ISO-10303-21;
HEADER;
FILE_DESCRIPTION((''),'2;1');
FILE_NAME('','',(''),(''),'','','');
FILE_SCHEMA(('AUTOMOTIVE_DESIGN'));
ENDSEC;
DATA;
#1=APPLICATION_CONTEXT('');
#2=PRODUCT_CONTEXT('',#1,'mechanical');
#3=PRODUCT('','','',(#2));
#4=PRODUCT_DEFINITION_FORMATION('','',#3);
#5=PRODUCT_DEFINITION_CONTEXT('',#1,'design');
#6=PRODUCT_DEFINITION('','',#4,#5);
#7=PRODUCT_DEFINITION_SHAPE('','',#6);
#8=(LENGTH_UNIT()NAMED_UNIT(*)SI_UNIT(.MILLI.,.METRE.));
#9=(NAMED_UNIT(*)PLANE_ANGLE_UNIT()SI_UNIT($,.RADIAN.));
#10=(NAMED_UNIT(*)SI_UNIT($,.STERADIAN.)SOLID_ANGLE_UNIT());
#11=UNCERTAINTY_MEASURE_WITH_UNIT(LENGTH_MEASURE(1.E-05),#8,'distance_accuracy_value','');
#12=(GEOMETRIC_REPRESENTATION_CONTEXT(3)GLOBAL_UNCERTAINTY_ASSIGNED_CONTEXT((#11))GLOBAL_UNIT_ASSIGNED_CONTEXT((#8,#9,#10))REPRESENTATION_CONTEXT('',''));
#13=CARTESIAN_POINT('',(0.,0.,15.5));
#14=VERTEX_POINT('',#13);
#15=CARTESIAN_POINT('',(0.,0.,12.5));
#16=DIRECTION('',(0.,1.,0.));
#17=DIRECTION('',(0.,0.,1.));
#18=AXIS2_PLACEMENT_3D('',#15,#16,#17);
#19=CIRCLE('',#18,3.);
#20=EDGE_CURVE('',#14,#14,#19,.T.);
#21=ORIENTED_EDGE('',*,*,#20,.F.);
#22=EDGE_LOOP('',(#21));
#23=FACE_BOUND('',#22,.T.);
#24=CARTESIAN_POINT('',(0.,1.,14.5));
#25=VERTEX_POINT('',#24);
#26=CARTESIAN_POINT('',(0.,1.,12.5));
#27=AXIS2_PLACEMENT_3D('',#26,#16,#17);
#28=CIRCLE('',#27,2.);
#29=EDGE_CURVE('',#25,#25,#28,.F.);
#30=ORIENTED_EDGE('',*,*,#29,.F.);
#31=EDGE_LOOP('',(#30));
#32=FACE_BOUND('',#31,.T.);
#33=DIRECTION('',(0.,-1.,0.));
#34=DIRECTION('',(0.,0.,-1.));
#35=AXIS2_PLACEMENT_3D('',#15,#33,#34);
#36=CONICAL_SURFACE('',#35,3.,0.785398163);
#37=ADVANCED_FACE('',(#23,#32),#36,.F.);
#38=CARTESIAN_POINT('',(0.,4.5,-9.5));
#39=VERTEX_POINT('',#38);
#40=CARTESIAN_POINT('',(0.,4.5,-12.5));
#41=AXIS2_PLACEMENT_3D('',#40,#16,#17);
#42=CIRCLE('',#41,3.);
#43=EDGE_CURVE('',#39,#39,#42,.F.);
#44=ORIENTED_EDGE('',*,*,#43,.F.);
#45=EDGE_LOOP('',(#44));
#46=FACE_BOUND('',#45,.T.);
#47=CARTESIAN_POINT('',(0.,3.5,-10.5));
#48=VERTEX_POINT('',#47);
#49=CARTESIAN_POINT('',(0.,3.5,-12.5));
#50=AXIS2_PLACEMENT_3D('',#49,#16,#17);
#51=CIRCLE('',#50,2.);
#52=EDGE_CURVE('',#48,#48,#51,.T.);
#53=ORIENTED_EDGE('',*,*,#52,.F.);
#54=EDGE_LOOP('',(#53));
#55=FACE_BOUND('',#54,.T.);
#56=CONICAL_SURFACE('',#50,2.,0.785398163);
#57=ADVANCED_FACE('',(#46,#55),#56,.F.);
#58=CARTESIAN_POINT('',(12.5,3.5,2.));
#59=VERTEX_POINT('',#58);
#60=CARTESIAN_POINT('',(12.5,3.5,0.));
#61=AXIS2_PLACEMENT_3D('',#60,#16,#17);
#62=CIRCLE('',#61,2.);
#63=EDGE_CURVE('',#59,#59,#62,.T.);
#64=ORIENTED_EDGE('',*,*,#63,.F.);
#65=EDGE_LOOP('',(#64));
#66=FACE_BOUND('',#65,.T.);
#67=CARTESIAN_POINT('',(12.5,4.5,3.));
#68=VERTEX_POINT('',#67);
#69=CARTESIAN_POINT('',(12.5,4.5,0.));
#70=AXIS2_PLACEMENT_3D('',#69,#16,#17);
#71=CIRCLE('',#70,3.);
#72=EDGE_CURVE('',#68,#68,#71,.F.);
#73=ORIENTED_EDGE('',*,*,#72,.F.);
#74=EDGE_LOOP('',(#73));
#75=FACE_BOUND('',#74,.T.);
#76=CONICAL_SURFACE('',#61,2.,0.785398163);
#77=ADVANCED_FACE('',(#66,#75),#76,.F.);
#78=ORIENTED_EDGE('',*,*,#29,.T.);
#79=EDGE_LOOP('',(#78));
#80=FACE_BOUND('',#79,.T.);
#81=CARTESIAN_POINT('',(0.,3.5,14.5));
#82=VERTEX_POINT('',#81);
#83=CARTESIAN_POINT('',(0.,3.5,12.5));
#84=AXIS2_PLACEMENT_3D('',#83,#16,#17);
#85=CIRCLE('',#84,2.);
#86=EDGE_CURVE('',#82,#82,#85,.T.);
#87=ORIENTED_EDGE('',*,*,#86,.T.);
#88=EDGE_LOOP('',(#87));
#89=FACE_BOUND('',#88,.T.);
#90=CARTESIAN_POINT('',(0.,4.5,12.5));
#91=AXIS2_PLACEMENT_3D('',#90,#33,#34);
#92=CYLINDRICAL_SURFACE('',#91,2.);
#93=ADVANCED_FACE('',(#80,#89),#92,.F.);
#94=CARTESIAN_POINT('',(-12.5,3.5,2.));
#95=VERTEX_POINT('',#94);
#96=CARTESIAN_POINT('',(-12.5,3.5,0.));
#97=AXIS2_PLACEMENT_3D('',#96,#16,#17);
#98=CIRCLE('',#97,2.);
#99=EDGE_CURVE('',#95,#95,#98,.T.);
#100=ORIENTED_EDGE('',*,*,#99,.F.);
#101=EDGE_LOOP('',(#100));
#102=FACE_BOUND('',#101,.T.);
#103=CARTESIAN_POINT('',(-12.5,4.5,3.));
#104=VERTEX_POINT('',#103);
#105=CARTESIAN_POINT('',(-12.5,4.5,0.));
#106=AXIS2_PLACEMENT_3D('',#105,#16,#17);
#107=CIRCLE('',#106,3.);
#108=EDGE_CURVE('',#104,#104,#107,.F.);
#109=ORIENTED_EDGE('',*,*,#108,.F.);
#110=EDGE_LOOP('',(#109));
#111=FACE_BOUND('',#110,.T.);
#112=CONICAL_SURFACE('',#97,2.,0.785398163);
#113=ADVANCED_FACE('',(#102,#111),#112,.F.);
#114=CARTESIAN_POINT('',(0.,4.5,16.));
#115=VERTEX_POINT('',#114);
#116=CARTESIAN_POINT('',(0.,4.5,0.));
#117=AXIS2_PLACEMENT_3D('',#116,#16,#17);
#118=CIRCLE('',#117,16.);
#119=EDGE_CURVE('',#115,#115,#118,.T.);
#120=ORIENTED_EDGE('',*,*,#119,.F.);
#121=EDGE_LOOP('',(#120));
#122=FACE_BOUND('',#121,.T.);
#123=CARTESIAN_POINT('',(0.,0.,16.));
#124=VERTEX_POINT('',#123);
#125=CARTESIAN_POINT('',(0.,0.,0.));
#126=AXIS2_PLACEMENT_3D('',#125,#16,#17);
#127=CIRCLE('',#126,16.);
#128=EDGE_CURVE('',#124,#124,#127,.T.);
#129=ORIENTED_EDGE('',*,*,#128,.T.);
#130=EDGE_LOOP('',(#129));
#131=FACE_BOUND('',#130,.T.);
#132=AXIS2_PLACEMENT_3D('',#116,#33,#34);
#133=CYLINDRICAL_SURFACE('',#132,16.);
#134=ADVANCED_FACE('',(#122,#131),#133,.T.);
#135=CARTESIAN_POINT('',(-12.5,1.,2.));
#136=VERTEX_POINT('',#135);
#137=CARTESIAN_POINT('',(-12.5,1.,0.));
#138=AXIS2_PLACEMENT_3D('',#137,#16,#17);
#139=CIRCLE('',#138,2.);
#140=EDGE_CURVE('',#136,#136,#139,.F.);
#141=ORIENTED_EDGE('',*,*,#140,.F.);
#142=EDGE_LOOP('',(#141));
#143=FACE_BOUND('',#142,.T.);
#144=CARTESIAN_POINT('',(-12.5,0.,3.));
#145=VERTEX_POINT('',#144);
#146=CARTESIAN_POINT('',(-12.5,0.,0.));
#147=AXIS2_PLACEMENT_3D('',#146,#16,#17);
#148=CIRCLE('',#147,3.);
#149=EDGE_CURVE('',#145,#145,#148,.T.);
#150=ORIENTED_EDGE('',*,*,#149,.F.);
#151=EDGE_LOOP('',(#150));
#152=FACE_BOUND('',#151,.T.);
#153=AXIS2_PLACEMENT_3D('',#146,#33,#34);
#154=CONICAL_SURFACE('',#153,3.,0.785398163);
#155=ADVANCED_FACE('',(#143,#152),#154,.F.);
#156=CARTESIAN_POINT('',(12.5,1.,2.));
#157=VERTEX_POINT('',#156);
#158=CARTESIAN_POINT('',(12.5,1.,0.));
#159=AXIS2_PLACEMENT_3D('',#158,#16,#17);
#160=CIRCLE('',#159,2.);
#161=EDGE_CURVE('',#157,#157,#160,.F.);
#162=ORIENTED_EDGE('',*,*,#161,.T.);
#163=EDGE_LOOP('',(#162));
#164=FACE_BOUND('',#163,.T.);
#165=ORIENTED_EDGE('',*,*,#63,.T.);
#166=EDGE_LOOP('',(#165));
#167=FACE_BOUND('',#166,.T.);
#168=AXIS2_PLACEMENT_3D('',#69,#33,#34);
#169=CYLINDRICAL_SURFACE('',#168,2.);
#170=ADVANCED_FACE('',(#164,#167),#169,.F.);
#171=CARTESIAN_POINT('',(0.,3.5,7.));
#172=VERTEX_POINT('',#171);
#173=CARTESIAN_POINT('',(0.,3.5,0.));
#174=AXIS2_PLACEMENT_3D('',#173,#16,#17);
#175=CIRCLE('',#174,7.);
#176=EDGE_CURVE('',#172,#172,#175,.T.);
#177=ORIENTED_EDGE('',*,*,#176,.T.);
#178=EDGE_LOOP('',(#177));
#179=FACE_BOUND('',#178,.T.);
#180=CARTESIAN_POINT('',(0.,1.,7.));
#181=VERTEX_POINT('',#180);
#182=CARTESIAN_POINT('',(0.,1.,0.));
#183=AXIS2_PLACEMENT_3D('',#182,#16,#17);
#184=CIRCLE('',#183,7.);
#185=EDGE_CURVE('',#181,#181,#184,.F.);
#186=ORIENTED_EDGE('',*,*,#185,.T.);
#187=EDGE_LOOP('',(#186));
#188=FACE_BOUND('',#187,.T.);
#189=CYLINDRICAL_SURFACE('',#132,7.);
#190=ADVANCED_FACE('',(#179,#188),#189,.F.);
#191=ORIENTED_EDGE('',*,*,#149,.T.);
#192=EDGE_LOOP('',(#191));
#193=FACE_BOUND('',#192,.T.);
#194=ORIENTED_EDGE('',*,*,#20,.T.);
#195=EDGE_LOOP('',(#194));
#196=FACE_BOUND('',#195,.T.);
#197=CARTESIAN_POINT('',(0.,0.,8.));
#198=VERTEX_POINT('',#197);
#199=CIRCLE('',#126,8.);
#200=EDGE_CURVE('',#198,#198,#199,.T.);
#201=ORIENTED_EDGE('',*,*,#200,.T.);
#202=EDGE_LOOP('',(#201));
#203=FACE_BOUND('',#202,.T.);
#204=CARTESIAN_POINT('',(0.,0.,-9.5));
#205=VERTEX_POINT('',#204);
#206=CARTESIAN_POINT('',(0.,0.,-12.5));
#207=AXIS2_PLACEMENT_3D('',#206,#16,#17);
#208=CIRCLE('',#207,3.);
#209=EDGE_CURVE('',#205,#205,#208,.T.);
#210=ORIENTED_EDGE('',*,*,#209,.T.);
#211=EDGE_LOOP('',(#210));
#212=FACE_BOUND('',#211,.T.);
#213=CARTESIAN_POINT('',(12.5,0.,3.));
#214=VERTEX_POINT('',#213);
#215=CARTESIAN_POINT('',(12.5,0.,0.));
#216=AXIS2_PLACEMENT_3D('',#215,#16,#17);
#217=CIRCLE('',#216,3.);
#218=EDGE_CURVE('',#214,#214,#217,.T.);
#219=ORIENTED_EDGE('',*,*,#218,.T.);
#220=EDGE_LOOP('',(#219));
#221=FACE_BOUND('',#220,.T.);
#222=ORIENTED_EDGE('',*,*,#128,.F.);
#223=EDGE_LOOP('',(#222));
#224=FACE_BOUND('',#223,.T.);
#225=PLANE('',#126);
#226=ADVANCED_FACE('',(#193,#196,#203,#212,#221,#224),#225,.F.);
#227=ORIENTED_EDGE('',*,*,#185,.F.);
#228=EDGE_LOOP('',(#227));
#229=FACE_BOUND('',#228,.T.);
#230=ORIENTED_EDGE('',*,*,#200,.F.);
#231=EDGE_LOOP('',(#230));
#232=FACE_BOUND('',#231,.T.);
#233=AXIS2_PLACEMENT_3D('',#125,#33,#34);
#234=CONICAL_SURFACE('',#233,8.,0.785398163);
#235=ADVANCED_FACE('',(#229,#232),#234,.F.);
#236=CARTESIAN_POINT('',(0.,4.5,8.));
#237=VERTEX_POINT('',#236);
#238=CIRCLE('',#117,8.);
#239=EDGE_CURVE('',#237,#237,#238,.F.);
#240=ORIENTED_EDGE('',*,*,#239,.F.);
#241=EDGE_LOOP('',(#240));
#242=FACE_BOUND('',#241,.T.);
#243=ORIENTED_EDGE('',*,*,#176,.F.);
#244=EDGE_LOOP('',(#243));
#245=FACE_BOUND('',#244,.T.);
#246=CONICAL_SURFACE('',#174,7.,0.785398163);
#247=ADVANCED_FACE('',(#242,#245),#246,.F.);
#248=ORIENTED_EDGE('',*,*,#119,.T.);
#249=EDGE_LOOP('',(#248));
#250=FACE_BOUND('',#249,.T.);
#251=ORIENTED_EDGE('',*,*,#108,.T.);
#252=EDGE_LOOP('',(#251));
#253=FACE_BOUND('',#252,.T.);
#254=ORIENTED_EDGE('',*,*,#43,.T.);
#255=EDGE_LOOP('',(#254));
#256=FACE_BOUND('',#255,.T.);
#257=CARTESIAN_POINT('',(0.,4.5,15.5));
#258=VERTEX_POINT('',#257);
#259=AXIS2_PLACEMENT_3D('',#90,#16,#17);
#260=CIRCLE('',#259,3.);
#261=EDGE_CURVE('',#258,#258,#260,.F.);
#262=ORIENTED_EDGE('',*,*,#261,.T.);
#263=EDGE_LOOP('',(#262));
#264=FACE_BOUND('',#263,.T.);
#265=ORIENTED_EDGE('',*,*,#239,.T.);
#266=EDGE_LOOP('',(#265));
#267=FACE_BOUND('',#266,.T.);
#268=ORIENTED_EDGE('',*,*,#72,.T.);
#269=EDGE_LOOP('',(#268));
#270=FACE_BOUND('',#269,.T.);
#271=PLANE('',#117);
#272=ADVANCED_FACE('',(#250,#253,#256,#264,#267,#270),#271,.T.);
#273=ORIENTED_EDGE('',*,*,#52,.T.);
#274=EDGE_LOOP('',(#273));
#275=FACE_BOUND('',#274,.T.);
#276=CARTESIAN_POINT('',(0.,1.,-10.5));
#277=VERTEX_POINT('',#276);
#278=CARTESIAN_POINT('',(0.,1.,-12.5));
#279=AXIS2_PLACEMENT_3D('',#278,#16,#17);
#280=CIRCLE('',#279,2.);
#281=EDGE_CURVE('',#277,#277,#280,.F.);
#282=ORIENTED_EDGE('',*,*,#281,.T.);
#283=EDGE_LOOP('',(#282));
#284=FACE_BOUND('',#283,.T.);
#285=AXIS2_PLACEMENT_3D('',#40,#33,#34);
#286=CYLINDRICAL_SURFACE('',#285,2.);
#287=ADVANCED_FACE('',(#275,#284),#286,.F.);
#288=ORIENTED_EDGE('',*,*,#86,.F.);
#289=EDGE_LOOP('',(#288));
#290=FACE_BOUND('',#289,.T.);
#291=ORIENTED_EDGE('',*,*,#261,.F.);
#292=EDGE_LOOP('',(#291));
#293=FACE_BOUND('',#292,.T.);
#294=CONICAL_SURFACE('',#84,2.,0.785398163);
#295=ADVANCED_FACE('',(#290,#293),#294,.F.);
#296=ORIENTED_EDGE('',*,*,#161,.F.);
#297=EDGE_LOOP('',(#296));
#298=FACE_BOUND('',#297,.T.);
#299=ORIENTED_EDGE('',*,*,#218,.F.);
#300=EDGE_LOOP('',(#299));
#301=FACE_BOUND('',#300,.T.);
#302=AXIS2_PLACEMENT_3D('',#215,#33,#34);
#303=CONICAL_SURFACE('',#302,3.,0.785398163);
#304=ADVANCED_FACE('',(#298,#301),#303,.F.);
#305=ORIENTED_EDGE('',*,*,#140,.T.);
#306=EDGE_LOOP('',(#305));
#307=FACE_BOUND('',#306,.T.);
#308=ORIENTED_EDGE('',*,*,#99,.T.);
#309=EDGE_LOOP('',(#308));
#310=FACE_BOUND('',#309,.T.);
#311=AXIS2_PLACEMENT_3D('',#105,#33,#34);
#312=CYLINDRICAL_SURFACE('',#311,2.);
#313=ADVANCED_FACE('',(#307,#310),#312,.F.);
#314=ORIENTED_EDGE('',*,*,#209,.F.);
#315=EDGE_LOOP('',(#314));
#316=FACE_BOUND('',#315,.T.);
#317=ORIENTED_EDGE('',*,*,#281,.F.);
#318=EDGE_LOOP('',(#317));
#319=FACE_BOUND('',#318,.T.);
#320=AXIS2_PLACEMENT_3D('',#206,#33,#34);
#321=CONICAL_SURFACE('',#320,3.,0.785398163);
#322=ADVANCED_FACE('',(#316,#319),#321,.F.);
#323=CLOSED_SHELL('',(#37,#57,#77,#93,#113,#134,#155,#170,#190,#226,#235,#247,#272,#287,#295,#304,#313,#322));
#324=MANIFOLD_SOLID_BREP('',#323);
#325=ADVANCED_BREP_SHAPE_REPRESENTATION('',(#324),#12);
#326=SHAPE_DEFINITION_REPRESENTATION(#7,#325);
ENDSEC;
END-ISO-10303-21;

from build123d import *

# Parameters (mm, degrees)
SKETCH1_R           = 16
SKETCH1_R_2         = 7
SKETCH1_R_3         = 2
BOSS_EXTRUDE1_DEPTH = 4.5
CHAMFER1_SIZE       = 1


with BuildPart() as part:
    # Sketch1 → Boss-Extrude1 (new body)
    with BuildSketch(Plane(origin=(0, 0, 0), x_dir=(1, 0, 0), z_dir=(0, 1, 0))):
        Circle(SKETCH1_R)
        Circle(SKETCH1_R_2, mode=Mode.SUBTRACT)
        with Locations((0, 12.5)):
            Circle(SKETCH1_R_3, mode=Mode.SUBTRACT)
        with Locations((12.5, 0)):
            Circle(SKETCH1_R_3, mode=Mode.SUBTRACT)
        with Locations((0, -12.5)):
            Circle(SKETCH1_R_3, mode=Mode.SUBTRACT)
        with Locations((-12.5, 0)):
            Circle(SKETCH1_R_3, mode=Mode.SUBTRACT)
    extrude(amount=BOSS_EXTRUDE1_DEPTH)

    # Chamfer1
    chamfer1_edges = [part.edges().sort_by_distance(p)[0] for p in [
        (10.5, 0, 0),
        (10.5, 4.5, 0),
        (-2, 0, 12.5),
        (-2, 4.5, 12.5),
        (-14.5, 0, 0),
        (-14.5, 4.5, 0),
        (-7, 0, 0),
        (-7, 4.5, 0),
        (-2, 0, -12.5),
        (-2, 4.5, -12.5),
    ]]
    chamfer(chamfer1_edges, length=CHAMFER1_SIZE)


solid = part.part
